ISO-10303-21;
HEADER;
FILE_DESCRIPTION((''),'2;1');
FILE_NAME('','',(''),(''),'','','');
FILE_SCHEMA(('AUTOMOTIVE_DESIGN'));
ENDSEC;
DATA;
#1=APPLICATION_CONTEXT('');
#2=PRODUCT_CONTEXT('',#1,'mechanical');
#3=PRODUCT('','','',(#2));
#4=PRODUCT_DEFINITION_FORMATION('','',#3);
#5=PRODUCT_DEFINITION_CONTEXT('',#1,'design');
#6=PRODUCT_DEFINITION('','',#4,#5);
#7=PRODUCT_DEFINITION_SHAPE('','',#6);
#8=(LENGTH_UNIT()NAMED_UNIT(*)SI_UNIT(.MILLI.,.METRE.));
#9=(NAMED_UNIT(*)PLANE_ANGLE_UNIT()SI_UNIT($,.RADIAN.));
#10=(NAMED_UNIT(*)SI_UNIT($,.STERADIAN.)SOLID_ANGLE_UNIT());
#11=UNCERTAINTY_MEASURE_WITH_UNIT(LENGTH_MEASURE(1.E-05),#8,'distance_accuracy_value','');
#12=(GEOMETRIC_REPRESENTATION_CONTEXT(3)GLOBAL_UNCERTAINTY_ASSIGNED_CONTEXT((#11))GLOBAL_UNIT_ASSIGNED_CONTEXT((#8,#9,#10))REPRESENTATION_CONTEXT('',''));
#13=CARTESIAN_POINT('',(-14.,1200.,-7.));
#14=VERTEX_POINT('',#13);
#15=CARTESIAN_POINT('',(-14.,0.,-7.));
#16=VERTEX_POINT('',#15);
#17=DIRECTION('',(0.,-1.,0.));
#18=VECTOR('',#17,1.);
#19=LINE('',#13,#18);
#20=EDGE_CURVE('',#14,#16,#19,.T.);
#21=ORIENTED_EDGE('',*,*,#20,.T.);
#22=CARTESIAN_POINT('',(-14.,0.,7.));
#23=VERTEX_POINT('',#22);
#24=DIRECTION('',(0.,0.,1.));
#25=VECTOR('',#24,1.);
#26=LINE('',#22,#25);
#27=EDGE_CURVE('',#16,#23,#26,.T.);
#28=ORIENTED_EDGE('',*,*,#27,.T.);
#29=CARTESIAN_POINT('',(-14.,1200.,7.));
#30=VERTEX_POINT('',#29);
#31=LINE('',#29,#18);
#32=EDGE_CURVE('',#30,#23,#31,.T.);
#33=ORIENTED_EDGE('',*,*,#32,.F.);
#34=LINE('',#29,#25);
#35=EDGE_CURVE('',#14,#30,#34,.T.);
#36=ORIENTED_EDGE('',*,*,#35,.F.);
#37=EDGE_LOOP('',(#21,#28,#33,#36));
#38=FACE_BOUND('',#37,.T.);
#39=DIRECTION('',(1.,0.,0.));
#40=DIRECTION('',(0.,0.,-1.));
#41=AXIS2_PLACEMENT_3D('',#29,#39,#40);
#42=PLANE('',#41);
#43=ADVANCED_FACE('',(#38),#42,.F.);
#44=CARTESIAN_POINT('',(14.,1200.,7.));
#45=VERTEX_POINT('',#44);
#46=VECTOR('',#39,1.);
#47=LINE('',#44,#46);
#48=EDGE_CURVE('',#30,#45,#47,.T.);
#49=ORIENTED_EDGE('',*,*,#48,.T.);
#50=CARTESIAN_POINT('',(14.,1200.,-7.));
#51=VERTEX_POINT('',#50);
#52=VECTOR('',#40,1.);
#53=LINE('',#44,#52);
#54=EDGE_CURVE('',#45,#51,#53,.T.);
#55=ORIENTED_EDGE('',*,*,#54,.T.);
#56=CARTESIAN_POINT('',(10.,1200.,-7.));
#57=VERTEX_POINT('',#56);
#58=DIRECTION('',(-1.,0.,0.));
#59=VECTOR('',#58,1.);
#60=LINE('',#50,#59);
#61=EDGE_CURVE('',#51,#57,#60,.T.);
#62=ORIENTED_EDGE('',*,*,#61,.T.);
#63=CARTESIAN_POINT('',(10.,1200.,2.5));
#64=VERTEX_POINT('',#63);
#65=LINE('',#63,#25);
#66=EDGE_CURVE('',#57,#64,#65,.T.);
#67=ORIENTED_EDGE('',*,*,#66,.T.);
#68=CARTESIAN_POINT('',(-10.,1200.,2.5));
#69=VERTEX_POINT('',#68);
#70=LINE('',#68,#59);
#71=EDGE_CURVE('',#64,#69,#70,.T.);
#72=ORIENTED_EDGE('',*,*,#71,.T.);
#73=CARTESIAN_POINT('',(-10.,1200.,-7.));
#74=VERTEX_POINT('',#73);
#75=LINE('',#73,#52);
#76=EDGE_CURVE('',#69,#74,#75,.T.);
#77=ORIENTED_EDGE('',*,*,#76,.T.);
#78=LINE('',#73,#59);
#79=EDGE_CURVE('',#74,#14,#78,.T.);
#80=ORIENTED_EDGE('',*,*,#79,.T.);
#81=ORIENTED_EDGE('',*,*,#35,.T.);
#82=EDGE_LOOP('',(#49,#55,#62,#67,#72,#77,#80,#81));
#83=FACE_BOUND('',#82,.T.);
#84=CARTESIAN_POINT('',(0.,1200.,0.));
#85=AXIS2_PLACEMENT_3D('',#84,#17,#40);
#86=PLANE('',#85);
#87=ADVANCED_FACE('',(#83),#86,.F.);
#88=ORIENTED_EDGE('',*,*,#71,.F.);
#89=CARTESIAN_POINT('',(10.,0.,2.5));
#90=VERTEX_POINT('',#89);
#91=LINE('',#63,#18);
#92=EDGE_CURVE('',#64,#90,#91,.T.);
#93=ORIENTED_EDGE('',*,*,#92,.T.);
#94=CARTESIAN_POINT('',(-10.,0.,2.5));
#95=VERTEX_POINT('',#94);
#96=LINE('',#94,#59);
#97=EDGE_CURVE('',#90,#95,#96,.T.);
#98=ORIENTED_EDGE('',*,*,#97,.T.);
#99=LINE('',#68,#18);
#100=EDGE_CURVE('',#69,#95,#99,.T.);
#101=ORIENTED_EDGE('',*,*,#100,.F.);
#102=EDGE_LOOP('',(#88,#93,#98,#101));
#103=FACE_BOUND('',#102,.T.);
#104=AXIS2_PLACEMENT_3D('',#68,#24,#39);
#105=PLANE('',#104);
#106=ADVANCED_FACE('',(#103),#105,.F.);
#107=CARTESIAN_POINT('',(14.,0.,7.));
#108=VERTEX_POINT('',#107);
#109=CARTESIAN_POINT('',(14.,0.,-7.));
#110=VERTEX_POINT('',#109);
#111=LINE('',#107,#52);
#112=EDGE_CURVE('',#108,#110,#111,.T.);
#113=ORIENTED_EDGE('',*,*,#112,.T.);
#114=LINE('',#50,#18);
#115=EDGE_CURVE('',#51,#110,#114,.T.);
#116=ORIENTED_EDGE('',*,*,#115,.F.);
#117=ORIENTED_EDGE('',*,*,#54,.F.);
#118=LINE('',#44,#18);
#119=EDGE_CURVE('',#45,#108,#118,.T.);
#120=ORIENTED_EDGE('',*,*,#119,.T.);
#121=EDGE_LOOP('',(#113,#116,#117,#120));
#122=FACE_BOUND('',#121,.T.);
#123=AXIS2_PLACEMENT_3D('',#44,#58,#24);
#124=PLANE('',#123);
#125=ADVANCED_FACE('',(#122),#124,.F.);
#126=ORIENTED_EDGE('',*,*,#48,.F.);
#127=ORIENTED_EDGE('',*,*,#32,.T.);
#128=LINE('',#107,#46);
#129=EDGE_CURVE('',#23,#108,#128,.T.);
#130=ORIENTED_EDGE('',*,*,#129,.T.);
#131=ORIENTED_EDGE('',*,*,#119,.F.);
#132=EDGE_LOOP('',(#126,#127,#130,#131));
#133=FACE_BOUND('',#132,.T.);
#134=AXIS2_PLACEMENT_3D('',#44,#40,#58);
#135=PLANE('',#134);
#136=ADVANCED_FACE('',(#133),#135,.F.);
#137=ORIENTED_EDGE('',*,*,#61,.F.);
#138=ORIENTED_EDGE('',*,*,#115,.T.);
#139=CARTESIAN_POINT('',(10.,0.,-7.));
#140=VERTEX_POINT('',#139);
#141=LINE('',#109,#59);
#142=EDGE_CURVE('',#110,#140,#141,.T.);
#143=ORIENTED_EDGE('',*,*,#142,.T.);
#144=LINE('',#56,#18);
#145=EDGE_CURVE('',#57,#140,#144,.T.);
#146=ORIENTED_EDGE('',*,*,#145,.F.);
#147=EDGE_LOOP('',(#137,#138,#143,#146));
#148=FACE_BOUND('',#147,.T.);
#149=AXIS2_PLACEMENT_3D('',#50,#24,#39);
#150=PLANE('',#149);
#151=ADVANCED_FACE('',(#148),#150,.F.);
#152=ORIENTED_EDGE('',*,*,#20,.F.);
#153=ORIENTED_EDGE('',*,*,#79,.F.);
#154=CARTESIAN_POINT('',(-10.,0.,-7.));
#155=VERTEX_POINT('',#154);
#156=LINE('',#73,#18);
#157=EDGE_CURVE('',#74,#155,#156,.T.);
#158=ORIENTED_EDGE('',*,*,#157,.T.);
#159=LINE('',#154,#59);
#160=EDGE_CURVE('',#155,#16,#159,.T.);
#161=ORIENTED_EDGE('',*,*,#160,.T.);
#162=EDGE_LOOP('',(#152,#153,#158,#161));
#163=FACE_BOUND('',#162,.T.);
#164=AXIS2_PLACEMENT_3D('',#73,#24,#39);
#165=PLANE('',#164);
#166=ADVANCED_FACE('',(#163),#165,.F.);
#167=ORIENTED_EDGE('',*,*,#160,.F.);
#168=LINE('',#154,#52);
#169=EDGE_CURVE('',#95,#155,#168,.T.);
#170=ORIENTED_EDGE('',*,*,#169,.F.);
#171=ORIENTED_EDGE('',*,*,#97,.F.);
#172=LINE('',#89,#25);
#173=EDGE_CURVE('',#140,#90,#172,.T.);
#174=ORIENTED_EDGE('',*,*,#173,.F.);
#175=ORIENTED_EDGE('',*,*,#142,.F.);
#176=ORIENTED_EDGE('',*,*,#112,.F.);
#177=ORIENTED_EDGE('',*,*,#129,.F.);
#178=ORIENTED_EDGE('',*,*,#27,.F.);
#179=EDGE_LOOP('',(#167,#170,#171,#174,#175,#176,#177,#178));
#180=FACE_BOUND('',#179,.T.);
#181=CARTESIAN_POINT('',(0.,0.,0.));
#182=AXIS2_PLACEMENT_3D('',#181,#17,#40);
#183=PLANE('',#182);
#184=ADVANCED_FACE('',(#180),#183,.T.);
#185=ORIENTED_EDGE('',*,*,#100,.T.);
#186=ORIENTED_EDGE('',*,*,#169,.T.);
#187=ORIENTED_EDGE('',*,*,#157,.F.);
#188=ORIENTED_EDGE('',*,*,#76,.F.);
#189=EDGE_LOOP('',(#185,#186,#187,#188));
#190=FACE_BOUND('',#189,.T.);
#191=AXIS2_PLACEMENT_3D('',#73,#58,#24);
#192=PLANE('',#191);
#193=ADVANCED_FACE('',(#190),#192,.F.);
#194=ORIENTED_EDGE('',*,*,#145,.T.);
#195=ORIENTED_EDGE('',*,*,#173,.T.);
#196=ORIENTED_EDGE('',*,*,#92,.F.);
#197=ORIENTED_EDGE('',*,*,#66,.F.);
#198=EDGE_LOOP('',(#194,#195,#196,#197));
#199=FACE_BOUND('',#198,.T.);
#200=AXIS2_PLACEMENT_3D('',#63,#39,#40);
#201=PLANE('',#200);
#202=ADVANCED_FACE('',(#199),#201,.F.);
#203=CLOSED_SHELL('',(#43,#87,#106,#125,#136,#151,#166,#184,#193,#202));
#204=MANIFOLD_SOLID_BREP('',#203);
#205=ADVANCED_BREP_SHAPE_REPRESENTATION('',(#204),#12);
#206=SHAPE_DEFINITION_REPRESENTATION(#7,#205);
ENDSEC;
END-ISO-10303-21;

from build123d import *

# Parameters (mm, degrees)
EXTRUDE_1_DEPTH = 1200


with BuildPart() as part:
    # 草图1 → 凸台-拉伸1 (new body)
    with BuildSketch(Plane(origin=(0, 0, 0), x_dir=(1, 0, 0), z_dir=(0, 1, 0))):
        Polygon((-10, 7), (-10, -2.5), (10, -2.5), (10, 7), (14, 7), (14, -7), (-14, -7), (-14, 7), align=None)
    extrude(amount=EXTRUDE_1_DEPTH)


solid = part.part
